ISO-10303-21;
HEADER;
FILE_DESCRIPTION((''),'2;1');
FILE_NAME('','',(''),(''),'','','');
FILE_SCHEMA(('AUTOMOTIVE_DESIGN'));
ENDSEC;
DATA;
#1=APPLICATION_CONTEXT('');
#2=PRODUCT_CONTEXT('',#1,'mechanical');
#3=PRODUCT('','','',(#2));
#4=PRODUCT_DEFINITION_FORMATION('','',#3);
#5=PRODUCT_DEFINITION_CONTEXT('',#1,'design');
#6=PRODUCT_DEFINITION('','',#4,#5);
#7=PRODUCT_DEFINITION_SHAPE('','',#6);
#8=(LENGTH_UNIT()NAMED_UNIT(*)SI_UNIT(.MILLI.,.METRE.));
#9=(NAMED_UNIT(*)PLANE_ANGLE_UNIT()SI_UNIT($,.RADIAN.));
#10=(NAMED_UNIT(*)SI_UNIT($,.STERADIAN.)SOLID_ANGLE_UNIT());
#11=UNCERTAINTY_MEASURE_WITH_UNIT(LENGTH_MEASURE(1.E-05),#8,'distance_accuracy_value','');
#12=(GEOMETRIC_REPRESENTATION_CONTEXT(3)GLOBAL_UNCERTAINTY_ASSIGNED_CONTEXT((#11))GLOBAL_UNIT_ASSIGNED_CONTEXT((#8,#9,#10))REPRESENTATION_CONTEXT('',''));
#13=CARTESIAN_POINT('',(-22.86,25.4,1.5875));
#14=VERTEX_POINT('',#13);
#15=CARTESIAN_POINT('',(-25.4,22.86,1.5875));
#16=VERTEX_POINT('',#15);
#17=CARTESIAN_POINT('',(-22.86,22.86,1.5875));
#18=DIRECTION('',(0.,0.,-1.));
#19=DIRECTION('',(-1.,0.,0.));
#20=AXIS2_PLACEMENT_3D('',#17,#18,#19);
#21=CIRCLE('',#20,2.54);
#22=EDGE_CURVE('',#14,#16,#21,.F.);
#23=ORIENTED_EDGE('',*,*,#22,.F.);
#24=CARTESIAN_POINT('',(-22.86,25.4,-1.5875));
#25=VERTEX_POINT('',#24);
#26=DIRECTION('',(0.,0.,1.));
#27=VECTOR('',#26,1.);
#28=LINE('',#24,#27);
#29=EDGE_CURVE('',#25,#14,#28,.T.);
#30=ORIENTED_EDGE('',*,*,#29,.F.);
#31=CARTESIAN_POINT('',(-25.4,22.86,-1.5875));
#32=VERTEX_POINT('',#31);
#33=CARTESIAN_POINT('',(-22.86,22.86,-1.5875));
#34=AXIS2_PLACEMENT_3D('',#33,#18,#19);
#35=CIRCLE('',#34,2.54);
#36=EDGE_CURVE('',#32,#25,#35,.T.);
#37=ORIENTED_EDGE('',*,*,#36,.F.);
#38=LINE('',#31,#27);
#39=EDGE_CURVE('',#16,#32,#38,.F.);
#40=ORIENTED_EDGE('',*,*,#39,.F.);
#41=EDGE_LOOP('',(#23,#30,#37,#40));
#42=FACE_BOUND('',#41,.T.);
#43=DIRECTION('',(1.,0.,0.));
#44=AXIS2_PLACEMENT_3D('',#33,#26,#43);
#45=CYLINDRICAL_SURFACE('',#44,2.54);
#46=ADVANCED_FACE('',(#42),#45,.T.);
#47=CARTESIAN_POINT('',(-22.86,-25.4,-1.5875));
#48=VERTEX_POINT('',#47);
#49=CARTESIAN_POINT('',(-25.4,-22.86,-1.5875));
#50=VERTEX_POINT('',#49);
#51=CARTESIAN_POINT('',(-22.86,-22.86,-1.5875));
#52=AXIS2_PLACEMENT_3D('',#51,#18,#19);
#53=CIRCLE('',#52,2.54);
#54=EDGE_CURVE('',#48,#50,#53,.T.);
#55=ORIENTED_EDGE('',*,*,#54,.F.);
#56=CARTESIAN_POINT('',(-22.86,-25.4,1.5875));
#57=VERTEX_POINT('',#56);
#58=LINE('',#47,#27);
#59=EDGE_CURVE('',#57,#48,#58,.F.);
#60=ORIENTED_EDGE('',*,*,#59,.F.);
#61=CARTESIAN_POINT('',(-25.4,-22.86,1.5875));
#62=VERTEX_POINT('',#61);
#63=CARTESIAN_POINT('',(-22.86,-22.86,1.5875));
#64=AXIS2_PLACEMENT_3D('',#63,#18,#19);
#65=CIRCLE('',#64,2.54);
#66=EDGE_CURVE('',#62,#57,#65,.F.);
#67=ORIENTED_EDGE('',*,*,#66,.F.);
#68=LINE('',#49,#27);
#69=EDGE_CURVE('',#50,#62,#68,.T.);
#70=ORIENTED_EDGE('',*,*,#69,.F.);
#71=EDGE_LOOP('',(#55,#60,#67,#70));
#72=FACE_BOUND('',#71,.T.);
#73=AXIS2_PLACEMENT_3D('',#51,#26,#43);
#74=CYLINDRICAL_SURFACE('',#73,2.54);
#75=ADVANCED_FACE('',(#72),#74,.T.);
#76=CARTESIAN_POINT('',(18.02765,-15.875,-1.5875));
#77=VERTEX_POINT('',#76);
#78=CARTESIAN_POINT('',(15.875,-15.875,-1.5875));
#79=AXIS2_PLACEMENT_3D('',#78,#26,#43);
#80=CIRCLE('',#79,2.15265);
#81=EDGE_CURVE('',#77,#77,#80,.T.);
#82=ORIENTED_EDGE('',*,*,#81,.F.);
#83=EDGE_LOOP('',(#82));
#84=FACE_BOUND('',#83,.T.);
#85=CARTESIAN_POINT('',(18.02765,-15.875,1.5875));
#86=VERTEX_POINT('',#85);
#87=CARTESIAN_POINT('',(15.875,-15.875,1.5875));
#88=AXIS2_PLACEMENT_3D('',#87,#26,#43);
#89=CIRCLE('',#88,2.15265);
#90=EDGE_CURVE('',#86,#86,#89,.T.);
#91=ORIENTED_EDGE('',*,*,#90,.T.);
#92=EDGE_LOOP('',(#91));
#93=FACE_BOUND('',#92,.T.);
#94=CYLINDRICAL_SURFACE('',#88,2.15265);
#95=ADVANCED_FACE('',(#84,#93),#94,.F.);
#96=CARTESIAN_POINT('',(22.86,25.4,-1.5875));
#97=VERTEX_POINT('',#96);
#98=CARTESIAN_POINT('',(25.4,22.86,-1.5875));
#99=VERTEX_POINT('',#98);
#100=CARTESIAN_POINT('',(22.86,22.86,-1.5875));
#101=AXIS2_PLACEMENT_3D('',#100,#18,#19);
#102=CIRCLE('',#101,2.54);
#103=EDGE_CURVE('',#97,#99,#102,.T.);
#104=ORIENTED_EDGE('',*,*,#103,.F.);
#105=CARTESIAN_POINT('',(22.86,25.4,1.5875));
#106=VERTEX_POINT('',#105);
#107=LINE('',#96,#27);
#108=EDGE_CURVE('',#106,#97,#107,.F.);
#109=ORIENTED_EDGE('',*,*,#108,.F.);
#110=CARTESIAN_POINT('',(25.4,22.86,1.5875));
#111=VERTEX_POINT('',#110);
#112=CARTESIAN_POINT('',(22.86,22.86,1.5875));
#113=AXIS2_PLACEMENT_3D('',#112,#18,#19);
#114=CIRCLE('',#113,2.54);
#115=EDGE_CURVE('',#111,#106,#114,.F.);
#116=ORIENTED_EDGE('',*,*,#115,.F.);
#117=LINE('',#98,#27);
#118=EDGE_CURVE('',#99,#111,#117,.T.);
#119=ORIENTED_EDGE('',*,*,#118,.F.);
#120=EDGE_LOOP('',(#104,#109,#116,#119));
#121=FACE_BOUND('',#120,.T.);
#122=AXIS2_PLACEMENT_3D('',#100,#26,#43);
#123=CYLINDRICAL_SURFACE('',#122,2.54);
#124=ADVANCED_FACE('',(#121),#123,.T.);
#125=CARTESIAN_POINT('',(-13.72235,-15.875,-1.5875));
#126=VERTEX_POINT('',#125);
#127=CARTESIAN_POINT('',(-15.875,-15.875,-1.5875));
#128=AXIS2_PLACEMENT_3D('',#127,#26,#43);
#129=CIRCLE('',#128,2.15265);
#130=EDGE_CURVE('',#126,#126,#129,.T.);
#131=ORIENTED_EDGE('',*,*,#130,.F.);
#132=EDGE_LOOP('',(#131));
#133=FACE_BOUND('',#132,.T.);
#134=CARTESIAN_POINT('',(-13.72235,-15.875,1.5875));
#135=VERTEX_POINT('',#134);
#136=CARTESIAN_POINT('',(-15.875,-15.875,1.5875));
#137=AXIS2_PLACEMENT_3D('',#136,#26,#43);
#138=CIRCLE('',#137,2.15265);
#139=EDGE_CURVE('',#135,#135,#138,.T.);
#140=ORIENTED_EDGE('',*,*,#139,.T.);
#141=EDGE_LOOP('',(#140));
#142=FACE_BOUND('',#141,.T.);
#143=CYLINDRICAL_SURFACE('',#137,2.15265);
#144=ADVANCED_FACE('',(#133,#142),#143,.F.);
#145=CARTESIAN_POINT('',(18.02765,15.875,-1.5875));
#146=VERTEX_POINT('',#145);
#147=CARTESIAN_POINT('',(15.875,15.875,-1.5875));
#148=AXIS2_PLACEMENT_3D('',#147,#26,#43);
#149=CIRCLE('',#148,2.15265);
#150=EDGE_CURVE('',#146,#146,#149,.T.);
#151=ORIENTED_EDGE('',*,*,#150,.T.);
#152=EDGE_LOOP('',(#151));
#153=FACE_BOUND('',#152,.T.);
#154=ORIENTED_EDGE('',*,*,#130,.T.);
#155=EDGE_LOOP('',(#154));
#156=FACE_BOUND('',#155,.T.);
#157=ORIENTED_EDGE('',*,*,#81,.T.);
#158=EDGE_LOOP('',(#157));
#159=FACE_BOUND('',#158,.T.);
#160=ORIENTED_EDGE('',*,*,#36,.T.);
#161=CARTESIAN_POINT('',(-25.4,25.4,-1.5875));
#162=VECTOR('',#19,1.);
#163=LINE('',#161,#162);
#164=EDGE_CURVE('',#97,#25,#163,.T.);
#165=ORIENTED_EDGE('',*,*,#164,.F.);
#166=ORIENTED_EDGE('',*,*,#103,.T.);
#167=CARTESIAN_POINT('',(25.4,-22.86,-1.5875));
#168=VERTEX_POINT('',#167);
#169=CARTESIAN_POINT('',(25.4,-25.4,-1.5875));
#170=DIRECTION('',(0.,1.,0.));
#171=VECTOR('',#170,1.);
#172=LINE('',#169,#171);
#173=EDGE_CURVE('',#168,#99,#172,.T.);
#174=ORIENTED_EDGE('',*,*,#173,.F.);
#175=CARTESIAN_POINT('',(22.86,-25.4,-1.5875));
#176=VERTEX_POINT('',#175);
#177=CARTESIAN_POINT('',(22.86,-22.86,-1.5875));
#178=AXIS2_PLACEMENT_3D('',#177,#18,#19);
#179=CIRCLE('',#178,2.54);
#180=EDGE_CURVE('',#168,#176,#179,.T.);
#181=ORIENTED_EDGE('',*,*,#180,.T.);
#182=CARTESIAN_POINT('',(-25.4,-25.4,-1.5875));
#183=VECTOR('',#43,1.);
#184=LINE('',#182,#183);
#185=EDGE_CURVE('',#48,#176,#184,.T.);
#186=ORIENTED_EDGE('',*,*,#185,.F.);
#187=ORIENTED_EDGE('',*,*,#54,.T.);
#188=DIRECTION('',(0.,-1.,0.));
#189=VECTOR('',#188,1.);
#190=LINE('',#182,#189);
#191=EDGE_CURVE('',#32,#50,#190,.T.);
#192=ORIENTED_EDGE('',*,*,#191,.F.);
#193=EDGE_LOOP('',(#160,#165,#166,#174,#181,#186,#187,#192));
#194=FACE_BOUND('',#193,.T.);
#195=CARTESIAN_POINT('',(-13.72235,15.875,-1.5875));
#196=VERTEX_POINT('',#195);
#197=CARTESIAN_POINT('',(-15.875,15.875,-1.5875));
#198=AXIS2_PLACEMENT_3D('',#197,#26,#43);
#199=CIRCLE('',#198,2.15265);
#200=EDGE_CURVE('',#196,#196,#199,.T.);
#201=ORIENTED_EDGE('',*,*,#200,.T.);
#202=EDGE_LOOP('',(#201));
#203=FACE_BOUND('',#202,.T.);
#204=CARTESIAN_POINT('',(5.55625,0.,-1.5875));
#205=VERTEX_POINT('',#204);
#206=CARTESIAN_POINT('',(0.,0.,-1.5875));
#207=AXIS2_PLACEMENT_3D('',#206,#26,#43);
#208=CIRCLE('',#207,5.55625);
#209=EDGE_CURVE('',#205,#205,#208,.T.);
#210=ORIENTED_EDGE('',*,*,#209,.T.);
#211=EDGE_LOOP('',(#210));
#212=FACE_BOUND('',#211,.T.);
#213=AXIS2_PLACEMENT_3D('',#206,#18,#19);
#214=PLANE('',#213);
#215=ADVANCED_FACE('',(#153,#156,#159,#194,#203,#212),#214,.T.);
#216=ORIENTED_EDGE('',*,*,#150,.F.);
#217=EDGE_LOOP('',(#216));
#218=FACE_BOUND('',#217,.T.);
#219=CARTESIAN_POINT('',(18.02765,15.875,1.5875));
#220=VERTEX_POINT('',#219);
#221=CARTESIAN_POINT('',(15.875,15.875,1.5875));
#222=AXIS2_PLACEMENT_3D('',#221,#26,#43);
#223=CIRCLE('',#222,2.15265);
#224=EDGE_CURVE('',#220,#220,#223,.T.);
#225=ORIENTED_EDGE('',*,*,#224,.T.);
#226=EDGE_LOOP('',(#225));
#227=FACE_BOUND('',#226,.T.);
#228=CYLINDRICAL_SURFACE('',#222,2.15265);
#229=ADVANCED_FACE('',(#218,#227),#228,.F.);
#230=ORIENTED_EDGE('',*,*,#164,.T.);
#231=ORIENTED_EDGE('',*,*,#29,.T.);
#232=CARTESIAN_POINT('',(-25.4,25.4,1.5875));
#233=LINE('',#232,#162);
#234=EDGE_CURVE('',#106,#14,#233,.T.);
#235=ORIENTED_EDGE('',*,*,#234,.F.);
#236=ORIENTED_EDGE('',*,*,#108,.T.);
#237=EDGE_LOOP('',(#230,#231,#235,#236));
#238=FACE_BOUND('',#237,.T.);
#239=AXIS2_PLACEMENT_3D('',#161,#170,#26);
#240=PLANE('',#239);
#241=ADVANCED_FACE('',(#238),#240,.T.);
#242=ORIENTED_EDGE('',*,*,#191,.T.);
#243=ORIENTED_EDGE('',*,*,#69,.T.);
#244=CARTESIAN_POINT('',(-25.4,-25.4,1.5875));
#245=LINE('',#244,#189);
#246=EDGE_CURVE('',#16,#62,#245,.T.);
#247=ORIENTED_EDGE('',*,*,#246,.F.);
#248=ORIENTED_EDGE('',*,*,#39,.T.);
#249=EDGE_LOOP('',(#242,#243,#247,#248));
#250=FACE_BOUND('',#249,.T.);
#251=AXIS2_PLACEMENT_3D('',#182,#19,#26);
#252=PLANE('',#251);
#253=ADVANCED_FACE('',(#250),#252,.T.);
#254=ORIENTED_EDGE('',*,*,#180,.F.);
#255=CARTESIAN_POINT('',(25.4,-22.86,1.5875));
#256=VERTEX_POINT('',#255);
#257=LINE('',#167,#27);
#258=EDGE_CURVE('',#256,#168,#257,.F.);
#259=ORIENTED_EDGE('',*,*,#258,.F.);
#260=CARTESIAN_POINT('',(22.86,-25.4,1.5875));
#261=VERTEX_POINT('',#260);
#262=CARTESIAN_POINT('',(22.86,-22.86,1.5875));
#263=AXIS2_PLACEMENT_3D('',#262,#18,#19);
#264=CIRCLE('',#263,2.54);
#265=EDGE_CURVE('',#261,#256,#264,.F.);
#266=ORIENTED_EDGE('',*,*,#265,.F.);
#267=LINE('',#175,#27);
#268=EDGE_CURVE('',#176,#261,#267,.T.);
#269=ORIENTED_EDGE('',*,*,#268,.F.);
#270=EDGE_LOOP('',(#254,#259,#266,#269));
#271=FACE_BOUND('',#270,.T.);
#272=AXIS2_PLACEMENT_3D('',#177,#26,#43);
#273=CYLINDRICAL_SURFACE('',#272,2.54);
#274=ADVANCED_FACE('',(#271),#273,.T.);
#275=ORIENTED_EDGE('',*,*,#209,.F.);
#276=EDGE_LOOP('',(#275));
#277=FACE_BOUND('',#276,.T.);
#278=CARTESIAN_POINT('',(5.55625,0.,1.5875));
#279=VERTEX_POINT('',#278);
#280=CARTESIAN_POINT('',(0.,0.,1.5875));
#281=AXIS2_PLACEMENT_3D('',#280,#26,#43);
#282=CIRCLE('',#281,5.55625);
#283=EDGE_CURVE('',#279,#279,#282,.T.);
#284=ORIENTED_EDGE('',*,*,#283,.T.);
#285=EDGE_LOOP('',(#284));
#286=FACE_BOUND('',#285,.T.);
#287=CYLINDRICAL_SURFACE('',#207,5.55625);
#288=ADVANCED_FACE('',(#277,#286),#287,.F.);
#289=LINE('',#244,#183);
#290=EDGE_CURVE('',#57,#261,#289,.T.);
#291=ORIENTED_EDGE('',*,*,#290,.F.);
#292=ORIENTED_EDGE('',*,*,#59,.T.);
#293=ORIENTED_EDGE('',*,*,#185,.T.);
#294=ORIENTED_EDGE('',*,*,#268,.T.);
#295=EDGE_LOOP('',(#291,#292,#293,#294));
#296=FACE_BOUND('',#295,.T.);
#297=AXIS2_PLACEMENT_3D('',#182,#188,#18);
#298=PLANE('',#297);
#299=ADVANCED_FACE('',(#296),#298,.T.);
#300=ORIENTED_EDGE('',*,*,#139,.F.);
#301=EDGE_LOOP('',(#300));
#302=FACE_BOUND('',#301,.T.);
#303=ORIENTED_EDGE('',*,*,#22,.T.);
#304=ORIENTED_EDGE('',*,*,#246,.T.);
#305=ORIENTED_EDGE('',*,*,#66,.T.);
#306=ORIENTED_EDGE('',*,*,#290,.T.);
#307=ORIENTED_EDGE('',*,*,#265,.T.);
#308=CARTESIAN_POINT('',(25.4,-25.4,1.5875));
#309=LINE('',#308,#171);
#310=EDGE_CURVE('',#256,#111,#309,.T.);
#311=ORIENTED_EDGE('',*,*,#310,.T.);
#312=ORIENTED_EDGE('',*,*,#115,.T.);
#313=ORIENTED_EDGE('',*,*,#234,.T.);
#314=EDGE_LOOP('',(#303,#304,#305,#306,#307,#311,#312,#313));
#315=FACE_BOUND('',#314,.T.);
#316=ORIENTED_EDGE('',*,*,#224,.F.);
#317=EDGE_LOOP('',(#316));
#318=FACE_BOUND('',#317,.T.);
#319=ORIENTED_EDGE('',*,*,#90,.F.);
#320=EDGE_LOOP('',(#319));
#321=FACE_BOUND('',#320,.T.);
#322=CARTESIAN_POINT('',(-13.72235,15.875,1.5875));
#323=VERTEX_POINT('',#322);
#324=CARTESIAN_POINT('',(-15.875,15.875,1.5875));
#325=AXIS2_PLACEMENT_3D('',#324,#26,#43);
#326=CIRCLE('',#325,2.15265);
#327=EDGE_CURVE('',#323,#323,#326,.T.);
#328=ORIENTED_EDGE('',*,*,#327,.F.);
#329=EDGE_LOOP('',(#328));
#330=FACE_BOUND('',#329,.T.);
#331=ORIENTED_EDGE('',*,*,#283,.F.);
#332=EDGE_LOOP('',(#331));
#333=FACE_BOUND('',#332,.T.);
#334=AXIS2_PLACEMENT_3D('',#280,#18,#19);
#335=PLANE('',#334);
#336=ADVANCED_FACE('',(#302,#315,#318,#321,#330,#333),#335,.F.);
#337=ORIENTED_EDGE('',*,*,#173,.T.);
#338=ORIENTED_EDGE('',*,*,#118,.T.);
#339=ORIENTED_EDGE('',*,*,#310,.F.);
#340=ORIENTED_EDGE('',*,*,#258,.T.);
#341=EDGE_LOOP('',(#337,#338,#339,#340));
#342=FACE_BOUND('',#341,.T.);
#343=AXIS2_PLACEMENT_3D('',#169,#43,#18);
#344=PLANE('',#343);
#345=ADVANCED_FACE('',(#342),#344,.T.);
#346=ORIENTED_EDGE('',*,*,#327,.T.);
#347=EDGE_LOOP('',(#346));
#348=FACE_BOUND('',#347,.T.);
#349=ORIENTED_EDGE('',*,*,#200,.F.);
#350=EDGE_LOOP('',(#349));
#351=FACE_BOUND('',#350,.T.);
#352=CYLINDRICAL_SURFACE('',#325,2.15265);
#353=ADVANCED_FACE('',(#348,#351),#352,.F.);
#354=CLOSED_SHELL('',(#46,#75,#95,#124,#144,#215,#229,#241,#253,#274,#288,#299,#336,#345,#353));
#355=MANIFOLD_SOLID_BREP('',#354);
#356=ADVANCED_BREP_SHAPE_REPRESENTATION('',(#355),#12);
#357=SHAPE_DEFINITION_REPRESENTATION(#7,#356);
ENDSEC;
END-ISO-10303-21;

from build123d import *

# Parameters (mm, degrees)
SKETCH1_W             = 50.8
SKETCH1_H             = 50.8
SKETCH1_R             = 5.55625
BOSS_EXTRUDE1_DEPTH   = 1.5875
F_8_CLEARANCE_HOLE1_D = 4.3053
FILLET1_R             = 2.54


with BuildPart() as part:
    # Sketch1 → Boss-Extrude1 (new, symmetric)
    with BuildSketch(Plane.XY):
        Rectangle(SKETCH1_W, SKETCH1_H)
        Circle(SKETCH1_R, mode=Mode.SUBTRACT)
    extrude(amount=BOSS_EXTRUDE1_DEPTH, both=True)

    # #8 Clearance Hole1 (through all)
    with Locations(Plane.XY.offset(1.5875)):
        with Locations((-15.875, 15.875), (15.875, 15.875), (15.875, -15.875), (-15.875, -15.875), (0, 0)):
            Hole(F_8_CLEARANCE_HOLE1_D / 2)

    # Fillet1
    fillet1_edges = [part.edges().sort_by_distance(p)[0] for p in [
        (25.4, -25.4, 0),
        (-25.4, -25.4, 0),
        (-25.4, 25.4, 0),
        (25.4, 25.4, 0),
    ]]
    fillet(fillet1_edges, radius=FILLET1_R)


solid = part.part
